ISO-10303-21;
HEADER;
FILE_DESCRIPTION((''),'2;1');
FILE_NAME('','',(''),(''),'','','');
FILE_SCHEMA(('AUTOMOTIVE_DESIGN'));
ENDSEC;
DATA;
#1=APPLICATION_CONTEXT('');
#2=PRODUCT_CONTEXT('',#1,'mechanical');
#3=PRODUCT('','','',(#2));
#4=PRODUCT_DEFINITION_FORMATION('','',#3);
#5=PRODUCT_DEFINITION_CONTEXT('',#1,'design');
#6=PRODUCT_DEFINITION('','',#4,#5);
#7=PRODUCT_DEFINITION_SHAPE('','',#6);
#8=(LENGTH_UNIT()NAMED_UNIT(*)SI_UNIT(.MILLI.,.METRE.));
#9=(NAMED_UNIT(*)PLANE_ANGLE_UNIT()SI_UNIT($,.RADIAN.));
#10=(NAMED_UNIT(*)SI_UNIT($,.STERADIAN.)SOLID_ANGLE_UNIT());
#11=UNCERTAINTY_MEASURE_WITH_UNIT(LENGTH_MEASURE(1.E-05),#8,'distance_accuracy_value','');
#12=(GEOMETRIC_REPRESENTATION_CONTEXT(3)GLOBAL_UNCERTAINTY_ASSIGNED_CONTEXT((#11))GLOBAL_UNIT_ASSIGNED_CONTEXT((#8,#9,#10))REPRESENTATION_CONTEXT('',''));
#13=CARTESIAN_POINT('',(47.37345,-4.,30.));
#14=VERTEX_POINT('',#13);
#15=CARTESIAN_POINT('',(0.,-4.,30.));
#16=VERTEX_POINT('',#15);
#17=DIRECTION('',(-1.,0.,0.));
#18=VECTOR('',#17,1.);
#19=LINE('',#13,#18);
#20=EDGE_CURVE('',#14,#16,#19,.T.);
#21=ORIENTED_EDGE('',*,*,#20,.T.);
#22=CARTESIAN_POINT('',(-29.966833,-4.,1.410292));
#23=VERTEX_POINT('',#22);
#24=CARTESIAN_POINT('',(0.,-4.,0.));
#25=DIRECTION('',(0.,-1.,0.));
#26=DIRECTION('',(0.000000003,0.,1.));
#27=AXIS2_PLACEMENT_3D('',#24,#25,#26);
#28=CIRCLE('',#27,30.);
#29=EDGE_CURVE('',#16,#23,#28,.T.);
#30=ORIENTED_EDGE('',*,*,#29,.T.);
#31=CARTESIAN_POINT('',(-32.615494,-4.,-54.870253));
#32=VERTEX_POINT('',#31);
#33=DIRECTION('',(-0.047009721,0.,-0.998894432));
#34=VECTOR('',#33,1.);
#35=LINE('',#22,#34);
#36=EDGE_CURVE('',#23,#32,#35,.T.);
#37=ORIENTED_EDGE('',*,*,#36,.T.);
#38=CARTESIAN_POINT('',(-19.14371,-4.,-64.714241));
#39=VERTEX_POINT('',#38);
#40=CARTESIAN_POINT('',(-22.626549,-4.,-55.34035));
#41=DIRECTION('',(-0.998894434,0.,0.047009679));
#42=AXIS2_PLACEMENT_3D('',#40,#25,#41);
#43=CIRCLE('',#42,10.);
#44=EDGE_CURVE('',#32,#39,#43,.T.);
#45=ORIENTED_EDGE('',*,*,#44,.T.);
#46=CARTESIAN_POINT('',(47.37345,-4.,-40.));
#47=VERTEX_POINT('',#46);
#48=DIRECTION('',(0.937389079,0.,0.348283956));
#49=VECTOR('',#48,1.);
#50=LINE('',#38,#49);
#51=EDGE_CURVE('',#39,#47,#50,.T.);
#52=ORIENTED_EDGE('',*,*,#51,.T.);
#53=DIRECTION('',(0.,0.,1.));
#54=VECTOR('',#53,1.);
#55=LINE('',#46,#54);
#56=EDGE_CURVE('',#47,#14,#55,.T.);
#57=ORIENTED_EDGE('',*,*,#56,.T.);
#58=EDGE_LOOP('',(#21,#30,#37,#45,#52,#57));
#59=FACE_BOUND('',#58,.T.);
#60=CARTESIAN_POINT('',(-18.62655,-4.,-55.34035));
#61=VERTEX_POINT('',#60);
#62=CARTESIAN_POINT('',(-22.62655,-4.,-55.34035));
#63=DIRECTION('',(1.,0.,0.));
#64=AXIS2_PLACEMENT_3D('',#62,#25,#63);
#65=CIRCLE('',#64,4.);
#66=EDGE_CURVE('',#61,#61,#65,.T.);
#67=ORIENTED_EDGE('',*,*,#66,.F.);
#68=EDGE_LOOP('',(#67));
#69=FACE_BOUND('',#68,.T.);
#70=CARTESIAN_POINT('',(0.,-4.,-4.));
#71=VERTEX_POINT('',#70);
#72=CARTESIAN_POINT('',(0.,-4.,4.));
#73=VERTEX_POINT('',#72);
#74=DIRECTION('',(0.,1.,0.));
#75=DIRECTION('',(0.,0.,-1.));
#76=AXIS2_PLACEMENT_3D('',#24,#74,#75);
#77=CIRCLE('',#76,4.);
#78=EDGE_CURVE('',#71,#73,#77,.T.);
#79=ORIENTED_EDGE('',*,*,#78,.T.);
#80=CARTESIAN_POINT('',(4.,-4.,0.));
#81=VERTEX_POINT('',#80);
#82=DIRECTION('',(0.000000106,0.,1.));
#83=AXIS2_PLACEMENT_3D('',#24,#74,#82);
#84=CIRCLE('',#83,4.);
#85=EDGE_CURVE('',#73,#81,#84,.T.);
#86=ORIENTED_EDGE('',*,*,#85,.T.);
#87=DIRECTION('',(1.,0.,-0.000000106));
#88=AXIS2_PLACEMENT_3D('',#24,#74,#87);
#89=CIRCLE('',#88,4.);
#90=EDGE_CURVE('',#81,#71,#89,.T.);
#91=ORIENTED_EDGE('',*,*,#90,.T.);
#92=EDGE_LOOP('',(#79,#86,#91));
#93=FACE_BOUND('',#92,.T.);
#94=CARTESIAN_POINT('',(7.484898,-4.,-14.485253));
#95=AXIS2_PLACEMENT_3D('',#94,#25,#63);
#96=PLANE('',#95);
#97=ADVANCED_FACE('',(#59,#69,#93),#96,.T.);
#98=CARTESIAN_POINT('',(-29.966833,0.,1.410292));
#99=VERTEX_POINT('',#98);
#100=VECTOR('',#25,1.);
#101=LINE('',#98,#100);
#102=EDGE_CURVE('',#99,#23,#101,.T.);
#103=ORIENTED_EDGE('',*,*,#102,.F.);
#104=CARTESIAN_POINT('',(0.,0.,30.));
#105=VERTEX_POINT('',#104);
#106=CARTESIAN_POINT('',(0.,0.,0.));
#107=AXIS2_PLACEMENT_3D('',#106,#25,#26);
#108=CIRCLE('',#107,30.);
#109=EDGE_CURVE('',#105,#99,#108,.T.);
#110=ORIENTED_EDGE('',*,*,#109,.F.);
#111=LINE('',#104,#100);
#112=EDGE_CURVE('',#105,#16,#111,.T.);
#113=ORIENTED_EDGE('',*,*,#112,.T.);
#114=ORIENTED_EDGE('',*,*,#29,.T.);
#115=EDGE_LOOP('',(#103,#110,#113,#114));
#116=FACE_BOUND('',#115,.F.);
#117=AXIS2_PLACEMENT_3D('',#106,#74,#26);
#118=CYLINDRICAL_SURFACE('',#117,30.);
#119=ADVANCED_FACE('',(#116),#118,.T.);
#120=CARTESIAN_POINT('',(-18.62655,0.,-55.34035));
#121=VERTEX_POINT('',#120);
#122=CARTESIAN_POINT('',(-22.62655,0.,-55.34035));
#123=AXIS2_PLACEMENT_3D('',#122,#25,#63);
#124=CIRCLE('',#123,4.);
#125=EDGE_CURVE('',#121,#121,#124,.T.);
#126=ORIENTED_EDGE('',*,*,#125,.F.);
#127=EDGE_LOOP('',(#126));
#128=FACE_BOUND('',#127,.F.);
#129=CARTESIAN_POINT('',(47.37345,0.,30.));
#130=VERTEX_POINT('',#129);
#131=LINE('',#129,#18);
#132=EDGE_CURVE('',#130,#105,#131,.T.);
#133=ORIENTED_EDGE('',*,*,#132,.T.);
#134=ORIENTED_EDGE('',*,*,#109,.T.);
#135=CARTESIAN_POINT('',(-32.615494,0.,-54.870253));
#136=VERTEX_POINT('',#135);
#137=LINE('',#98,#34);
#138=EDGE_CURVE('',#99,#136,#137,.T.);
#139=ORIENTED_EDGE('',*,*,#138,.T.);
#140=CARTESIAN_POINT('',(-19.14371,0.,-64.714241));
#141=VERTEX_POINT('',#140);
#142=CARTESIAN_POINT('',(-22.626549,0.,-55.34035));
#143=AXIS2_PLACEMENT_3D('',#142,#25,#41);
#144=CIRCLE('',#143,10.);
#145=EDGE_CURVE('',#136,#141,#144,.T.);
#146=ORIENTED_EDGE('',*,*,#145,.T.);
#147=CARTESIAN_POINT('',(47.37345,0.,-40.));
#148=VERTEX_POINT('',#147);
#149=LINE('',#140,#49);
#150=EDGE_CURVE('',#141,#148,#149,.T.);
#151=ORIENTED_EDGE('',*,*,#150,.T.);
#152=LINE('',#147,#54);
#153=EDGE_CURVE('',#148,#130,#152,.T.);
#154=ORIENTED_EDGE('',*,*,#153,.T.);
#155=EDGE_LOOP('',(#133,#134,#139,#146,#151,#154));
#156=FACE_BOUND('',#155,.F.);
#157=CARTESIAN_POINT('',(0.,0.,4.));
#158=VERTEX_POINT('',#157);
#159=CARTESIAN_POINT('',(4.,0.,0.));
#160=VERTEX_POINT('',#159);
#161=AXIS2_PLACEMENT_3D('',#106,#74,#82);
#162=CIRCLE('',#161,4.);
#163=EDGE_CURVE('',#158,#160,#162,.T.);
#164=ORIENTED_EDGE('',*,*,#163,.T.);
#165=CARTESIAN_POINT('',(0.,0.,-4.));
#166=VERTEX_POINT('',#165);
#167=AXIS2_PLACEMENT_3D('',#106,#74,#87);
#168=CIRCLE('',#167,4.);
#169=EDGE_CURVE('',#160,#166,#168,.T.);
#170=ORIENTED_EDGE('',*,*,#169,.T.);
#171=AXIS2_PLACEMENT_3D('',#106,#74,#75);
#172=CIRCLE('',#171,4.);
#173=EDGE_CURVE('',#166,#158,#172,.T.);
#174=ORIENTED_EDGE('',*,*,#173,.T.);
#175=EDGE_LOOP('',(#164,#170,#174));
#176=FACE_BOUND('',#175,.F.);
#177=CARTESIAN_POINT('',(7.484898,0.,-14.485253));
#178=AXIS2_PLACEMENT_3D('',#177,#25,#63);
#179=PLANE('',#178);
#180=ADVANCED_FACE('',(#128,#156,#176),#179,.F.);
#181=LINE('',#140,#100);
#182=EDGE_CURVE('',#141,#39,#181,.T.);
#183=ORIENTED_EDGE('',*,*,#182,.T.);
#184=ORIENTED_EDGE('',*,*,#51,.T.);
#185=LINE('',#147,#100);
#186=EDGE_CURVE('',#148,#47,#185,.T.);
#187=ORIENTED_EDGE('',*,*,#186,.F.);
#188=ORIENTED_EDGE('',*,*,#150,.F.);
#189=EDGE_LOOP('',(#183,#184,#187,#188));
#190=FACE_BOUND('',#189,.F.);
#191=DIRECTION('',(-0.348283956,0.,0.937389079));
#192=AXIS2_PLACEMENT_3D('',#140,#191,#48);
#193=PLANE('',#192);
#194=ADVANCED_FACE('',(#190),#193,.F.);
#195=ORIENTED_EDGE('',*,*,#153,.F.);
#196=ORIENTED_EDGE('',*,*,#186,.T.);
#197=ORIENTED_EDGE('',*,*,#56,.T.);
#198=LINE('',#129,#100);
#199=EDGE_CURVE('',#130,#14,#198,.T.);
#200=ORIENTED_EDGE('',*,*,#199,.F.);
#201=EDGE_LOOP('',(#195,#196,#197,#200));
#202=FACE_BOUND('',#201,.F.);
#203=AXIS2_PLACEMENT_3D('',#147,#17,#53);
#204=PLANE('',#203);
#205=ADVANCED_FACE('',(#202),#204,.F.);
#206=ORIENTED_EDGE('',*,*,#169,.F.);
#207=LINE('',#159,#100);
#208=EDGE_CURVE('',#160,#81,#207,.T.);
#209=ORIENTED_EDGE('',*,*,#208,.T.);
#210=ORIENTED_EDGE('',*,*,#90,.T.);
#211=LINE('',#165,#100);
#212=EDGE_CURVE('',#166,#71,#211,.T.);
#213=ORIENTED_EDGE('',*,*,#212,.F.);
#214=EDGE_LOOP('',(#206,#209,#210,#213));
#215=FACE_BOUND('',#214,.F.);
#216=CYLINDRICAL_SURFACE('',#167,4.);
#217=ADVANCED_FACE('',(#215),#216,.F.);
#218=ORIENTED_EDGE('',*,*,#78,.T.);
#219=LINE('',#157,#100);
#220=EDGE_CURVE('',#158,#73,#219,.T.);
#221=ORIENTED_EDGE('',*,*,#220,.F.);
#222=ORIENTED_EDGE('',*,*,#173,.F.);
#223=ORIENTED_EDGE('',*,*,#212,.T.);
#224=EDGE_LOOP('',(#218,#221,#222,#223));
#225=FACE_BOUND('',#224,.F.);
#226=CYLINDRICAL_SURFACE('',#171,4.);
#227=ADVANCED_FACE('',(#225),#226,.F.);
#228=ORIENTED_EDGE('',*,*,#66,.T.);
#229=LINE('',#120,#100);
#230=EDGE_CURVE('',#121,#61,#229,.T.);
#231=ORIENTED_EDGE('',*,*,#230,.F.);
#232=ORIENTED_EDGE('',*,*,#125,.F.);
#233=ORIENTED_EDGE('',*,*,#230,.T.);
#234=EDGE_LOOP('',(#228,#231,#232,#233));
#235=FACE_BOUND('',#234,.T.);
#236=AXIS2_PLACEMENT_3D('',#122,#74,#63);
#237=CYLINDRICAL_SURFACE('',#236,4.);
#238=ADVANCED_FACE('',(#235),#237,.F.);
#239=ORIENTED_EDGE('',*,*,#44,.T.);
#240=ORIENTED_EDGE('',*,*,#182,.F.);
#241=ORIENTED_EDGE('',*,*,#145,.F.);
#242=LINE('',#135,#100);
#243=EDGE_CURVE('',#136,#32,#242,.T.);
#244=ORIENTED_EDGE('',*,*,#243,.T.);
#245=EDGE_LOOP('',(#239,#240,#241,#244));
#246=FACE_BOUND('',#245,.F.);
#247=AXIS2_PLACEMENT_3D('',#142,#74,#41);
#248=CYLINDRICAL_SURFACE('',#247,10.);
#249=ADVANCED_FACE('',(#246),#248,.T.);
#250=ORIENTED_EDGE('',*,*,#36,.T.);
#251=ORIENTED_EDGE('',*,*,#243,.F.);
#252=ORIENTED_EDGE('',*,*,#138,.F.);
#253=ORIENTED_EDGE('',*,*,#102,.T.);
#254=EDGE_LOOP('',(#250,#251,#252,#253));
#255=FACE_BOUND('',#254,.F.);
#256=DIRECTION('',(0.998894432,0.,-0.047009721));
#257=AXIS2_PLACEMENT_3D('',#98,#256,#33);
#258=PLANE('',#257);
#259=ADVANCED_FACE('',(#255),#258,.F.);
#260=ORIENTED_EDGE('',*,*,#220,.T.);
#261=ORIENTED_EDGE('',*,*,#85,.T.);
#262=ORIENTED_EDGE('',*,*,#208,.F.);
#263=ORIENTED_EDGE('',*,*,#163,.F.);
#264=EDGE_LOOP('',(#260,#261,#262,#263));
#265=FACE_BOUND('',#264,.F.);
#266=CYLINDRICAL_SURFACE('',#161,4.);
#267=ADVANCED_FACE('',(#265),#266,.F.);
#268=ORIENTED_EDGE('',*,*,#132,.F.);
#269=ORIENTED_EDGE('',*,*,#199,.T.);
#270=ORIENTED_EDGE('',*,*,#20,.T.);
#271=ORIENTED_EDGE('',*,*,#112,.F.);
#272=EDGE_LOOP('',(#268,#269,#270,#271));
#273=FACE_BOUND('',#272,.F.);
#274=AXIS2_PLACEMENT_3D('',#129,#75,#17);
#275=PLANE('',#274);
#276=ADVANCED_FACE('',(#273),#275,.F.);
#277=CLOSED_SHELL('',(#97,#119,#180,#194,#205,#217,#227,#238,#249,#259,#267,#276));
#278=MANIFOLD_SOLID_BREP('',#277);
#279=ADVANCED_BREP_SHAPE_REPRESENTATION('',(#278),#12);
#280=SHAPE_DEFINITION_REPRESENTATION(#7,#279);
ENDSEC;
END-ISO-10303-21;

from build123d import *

# Parameters (mm, degrees)
F0_R     = 4
F1_DEPTH = 4


with BuildPart() as f1:
    # F0 (on Front) → F1 (new body)
    with BuildSketch(Plane.XZ):
        with BuildLine():
            Line((-29.966833, 1.410292), (-32.615494, -54.870253))
            ThreePointArc((-32.615494, -54.870253), (-28.526412, -63.414483), (-19.14371, -64.714241))
            Line((-19.14371, -64.714241), (47.37345, -40))
            Line((47.37345, -40), (47.37345, 30))
            Line((47.37345, 30), (0, 30))
            ThreePointArc((0, 30), (-20.708588, 21.706091), (-29.966833, 1.410292))
        make_face()
        with Locations((-22.62655, -55.34035)):
            Circle(F0_R, mode=Mode.SUBTRACT)
        with BuildLine():
            ThreePointArc((0, 4), (2.828427, 2.828427), (4, 0))
            ThreePointArc((4, 0), (2.828427, -2.828427), (0, -4))
            ThreePointArc((0, -4), (-4, 0), (0, 4))
        make_face(mode=Mode.SUBTRACT)
    extrude(amount=F1_DEPTH)


solid = f1.part
